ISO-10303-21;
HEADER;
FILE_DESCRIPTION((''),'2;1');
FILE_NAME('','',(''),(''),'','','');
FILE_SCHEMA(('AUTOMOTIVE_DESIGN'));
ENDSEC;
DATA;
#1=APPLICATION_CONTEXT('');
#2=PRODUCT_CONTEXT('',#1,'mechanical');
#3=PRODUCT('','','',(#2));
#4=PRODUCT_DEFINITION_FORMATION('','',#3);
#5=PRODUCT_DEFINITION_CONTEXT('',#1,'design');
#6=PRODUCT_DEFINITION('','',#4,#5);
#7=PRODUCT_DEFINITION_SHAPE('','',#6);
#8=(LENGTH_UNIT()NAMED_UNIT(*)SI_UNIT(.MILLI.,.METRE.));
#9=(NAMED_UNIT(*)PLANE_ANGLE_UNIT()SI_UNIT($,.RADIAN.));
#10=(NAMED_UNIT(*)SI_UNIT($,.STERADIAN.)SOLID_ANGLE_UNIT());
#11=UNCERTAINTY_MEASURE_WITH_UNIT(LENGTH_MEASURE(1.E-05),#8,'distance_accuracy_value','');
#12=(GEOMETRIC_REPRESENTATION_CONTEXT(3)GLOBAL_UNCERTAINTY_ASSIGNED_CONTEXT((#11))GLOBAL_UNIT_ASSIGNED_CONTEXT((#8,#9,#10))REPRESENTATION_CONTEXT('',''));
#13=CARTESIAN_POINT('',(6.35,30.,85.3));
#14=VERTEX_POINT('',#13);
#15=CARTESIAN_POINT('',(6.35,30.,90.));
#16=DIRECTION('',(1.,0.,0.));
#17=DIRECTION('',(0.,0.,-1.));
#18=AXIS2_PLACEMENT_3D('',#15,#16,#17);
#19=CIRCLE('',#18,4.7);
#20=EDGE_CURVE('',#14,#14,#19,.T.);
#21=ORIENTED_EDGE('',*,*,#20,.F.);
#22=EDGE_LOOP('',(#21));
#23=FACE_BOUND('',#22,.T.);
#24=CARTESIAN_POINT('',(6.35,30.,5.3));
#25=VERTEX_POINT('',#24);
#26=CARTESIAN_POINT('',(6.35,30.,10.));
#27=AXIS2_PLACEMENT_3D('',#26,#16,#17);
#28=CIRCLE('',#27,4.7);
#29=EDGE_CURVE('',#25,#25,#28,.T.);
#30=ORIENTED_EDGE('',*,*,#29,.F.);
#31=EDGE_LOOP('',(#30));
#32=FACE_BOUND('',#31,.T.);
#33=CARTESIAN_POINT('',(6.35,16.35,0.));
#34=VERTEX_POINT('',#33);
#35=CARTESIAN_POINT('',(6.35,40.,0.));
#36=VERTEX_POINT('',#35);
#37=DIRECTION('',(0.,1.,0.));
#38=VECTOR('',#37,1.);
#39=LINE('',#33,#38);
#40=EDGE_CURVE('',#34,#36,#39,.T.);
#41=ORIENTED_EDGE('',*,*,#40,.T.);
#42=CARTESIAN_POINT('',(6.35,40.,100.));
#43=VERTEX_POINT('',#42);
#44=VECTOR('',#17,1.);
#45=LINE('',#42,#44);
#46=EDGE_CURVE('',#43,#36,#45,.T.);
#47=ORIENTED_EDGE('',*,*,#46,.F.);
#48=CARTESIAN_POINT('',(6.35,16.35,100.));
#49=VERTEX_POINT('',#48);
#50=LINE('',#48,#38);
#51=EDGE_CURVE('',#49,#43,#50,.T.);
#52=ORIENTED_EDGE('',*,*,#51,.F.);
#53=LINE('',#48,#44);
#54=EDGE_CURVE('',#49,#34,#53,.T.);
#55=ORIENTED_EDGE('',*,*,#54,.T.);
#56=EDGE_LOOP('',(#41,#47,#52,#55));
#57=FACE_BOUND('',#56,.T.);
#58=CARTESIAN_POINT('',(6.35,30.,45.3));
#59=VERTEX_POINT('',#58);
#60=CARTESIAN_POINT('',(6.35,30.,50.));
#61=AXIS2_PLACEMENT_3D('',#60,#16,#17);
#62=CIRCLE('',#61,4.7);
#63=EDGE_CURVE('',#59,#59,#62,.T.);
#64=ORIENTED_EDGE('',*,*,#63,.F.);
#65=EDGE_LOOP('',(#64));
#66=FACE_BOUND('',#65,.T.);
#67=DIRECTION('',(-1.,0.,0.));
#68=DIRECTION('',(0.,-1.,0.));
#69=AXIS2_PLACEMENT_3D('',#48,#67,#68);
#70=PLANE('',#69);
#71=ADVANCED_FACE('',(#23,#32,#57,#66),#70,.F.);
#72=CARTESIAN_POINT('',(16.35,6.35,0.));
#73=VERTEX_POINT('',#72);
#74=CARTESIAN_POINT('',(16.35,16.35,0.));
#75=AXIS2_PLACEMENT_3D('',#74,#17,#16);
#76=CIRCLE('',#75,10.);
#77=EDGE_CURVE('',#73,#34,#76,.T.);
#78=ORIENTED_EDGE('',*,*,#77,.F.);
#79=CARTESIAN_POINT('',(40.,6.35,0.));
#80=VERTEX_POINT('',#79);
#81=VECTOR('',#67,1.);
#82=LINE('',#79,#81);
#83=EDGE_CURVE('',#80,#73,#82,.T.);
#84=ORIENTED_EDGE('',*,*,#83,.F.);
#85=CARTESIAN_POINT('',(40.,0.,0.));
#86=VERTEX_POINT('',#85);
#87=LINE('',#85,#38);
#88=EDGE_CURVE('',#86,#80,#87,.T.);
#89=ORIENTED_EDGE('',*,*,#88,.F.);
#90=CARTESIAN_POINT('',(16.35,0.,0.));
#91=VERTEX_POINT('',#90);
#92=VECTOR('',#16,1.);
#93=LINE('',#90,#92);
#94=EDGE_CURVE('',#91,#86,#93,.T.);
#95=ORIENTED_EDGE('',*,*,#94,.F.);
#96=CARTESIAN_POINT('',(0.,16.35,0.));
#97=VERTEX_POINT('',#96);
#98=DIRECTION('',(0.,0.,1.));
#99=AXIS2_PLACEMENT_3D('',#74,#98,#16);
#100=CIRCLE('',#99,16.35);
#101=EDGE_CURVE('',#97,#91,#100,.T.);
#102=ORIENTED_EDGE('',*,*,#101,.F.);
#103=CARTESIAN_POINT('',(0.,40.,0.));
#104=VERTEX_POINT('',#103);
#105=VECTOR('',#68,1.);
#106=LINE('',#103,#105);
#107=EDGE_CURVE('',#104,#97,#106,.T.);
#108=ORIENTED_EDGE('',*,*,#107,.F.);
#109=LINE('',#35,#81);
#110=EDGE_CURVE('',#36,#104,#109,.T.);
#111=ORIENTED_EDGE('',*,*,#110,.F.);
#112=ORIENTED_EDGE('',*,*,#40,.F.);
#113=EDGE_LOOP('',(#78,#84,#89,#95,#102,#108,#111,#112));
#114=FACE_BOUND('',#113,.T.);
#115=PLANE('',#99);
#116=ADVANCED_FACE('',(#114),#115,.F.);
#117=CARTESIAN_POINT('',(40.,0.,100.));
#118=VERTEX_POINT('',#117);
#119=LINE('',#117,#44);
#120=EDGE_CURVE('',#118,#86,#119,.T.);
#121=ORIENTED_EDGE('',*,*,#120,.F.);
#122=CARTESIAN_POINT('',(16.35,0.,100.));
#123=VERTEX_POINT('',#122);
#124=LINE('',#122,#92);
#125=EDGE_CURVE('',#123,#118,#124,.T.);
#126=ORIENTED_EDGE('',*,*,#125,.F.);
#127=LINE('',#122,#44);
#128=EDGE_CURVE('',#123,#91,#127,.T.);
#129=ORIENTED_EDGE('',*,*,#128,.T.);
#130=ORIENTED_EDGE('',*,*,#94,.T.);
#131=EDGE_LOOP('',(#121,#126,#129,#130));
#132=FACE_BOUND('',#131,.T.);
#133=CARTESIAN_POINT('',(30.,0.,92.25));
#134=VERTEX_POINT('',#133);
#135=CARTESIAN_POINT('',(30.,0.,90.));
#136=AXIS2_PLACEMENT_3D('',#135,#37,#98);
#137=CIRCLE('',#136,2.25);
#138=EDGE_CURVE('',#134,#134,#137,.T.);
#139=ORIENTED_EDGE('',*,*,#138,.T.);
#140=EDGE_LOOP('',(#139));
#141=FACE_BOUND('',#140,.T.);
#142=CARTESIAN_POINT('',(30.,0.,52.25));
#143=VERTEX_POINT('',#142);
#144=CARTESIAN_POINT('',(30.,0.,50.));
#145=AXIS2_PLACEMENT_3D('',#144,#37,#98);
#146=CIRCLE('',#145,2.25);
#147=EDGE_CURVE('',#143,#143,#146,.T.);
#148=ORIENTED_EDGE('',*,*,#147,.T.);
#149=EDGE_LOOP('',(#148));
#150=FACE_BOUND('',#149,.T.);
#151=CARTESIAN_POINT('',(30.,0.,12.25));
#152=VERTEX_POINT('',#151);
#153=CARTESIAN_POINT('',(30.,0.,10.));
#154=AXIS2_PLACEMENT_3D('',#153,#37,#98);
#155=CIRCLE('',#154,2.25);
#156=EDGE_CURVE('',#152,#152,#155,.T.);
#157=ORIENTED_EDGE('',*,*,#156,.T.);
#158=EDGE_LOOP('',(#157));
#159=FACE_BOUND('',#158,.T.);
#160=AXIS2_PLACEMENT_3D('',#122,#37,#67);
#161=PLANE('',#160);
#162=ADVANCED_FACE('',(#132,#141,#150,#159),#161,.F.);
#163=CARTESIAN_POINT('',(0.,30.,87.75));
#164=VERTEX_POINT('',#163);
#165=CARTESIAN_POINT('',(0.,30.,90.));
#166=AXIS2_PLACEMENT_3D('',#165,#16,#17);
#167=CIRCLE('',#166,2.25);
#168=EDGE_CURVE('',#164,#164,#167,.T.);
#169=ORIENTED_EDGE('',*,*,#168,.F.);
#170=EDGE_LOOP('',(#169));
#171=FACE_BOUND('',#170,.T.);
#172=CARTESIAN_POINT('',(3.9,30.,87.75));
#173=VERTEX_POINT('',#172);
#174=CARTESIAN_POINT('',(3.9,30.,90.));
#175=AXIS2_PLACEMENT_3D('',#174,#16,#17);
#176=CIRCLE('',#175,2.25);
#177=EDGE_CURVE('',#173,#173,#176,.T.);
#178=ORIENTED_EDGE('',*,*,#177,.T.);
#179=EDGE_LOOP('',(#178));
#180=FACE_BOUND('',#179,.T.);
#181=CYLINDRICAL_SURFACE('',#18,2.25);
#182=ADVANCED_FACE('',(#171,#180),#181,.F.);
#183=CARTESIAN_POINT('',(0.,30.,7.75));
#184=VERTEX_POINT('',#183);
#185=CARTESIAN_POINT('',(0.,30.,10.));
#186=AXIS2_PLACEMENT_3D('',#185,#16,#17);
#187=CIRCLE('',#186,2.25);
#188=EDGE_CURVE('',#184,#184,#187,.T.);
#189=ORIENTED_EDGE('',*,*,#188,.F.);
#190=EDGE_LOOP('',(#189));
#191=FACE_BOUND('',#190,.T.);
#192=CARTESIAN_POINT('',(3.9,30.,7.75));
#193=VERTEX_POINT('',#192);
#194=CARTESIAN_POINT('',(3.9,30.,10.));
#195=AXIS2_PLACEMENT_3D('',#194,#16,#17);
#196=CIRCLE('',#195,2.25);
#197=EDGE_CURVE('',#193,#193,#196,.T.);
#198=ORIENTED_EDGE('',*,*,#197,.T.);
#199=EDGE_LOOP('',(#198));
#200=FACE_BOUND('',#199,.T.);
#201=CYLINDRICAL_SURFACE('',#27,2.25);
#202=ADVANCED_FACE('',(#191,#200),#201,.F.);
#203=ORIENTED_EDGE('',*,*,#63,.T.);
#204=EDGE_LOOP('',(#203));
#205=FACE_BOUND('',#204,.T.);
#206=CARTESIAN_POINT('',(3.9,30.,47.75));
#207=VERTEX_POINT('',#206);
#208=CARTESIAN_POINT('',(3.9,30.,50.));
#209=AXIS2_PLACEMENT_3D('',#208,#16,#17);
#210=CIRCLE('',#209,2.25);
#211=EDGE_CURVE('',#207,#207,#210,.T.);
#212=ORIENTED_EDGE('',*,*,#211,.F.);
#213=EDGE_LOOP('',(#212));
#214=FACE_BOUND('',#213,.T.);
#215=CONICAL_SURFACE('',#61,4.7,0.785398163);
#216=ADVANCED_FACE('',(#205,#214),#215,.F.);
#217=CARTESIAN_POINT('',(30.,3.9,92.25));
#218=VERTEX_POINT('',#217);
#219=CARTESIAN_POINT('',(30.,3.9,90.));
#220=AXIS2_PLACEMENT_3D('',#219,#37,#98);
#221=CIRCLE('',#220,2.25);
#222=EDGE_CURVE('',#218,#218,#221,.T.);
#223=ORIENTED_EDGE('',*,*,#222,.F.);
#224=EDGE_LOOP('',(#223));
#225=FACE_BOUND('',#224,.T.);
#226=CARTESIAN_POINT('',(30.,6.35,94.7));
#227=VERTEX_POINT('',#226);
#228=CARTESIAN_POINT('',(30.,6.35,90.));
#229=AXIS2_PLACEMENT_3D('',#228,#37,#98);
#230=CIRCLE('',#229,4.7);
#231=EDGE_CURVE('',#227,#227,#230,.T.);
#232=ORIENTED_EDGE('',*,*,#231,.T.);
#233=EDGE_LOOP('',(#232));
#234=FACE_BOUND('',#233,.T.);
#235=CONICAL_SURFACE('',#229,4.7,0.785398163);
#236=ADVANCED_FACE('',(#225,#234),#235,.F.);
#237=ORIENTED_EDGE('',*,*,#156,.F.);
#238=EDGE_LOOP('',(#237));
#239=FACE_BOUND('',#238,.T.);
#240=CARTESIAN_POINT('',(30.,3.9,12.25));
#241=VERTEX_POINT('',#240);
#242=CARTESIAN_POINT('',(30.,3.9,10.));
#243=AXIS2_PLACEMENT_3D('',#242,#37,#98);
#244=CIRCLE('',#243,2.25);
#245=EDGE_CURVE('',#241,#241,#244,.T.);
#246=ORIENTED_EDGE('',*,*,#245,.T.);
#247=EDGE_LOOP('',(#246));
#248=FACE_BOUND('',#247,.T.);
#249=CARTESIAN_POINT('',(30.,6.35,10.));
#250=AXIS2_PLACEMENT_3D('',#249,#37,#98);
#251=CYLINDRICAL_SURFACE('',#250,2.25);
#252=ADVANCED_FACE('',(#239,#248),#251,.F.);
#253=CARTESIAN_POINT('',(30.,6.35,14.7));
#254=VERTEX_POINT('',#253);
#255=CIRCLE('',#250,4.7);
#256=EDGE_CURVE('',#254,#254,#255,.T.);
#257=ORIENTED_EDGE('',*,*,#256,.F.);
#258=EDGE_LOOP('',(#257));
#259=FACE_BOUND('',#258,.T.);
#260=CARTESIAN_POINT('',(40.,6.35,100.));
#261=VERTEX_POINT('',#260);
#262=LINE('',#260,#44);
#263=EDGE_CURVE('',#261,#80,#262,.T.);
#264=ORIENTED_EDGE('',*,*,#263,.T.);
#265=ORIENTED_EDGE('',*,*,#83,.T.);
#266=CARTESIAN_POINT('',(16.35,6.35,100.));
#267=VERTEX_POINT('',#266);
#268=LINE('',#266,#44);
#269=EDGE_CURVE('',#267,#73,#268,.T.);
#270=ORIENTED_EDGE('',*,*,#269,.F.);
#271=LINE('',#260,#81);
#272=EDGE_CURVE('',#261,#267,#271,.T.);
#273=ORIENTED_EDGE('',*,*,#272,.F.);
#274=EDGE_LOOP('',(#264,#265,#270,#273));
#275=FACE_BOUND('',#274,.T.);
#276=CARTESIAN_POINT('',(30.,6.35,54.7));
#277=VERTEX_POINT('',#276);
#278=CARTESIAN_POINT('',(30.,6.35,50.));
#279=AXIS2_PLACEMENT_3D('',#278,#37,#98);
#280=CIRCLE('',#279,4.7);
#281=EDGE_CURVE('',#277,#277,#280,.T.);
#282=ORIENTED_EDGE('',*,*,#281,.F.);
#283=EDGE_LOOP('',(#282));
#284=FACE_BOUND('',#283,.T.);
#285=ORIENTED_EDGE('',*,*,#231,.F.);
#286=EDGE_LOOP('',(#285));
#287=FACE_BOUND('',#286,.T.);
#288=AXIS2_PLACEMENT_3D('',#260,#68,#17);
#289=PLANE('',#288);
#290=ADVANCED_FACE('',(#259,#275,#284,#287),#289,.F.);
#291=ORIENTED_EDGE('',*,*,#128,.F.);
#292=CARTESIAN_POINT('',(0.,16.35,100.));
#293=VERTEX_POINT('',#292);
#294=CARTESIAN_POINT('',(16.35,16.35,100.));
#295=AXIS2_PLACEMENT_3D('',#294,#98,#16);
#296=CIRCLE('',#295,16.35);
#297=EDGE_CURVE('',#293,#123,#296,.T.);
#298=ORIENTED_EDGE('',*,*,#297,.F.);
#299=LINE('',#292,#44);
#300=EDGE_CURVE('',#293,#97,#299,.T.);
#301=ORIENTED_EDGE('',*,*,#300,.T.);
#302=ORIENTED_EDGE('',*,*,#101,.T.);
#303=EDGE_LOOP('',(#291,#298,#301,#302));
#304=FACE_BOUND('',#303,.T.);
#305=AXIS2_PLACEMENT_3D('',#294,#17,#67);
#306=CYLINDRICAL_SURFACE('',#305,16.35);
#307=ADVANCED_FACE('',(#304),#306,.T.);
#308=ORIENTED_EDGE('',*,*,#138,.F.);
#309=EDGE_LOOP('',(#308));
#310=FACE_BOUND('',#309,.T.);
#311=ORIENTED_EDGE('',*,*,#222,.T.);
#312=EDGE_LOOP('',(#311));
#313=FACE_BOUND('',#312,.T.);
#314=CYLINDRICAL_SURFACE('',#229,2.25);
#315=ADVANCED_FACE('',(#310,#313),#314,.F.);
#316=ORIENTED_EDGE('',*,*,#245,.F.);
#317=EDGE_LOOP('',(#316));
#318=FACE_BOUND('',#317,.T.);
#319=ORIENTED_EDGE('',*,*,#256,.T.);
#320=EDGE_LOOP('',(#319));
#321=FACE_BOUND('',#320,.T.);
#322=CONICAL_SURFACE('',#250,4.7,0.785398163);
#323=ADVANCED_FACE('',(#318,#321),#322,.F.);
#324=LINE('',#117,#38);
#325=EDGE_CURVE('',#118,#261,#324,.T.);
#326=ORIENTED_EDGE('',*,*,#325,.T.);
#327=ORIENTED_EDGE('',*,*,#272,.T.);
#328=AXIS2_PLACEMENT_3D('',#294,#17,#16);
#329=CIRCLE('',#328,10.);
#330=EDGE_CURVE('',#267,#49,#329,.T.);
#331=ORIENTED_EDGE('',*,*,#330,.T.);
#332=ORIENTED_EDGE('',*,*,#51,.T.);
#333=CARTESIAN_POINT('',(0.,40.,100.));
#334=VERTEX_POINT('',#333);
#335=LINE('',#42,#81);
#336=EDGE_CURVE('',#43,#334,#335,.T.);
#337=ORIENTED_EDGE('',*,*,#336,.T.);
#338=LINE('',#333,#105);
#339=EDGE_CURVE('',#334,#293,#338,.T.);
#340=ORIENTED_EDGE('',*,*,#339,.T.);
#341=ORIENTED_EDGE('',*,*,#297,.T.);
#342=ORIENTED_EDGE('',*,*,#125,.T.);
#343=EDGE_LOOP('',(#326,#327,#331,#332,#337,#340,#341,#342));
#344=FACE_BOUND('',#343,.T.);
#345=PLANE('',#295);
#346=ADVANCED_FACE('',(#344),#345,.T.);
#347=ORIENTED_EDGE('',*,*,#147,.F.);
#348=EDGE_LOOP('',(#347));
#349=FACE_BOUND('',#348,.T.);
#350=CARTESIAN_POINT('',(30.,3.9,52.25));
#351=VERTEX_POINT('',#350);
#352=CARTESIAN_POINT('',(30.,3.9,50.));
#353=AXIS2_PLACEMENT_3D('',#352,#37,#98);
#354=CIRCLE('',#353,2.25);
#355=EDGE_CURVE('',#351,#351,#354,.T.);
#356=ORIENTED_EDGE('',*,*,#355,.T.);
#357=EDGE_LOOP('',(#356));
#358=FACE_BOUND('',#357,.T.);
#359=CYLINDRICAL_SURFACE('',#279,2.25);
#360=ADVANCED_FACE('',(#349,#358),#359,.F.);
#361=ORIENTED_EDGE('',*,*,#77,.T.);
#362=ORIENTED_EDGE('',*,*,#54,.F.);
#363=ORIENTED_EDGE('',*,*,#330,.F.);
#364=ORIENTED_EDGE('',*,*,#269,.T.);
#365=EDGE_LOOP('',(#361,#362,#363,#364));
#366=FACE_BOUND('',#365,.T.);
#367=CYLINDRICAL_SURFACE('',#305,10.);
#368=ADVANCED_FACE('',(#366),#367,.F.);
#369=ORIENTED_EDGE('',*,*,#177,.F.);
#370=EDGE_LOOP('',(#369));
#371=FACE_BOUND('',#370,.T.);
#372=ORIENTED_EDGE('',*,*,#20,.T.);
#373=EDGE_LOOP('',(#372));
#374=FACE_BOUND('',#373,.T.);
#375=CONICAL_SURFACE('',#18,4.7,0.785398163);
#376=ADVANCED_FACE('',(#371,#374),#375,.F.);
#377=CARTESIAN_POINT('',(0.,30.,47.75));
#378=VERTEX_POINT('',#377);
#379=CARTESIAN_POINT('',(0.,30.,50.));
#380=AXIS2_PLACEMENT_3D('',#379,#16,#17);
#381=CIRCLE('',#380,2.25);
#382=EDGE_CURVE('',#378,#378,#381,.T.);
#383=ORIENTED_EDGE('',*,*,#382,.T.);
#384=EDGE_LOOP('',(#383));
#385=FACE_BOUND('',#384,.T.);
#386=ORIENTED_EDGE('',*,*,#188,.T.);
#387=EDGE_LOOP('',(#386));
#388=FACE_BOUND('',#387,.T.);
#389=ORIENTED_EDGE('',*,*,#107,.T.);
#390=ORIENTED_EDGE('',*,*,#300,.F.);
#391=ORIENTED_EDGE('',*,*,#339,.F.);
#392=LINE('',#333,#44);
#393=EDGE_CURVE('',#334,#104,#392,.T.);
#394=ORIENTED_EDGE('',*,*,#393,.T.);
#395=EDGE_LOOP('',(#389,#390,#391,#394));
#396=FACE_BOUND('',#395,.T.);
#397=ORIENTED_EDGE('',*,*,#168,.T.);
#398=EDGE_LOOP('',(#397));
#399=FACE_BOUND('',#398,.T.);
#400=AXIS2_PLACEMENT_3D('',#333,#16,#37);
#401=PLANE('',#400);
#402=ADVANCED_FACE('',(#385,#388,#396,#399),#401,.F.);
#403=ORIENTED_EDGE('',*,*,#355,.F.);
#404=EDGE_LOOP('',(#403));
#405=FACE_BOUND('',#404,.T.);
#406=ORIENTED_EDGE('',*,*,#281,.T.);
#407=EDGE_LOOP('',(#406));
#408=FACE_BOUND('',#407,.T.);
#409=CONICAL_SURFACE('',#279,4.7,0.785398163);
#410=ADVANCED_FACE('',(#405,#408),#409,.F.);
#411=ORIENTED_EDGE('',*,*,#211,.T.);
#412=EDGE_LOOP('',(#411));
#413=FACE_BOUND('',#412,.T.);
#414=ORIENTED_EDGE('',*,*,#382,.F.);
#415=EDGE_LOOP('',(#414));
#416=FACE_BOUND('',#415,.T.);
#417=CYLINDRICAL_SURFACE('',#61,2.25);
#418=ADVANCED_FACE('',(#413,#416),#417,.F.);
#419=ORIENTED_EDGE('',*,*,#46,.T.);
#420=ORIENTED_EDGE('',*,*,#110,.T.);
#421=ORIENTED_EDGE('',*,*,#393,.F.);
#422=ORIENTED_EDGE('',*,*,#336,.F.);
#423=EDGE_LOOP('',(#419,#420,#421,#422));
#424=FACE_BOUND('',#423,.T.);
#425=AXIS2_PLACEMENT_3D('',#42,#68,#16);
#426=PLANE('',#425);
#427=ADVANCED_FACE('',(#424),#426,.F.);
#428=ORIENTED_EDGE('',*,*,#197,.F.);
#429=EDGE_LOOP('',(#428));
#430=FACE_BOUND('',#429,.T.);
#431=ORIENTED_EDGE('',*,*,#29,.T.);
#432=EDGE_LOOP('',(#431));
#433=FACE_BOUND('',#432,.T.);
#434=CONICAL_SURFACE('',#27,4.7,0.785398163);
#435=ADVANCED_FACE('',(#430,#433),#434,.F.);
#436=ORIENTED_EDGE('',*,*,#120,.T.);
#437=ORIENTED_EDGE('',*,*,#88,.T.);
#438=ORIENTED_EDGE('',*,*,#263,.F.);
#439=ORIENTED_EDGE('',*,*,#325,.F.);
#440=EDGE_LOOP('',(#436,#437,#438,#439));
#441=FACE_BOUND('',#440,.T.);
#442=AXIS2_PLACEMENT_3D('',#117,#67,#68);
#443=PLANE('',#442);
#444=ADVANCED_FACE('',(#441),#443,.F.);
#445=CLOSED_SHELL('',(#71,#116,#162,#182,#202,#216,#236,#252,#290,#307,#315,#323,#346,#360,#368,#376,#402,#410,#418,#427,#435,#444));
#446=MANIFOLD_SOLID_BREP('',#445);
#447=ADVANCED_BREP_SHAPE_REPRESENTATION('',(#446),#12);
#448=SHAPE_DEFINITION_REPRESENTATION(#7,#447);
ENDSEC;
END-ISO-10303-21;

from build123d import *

# Parameters (mm, degrees)
BOSS_EXTRUDE1_DEPTH                             = 100
CSK_FOR_M4_FLAT_HEAD_MACHINE_SCREW1_D           = 4.5
CSK_FOR_M4_FLAT_HEAD_MACHINE_SCREW1_CSINK_D     = 9.4
CSK_FOR_M4_FLAT_HEAD_MACHINE_SCREW1_CSINK_ANGLE = 90
CSK_FOR_M4_FLAT_HEAD_MACHINE_SCREW4_D           = 4.5
CSK_FOR_M4_FLAT_HEAD_MACHINE_SCREW4_CSINK_D     = 9.4
CSK_FOR_M4_FLAT_HEAD_MACHINE_SCREW4_CSINK_ANGLE = 90


with BuildPart() as part:
    # Sketch1 → Boss-Extrude1 (new body)
    with BuildSketch(Plane.XY):
        with BuildLine():
            Line((0, 40), (0, 16.35))
            ThreePointArc((0, 16.35), (4.788804128, 4.788804128), (16.35, 0))
            Line((16.35, 0), (40, 0))
            Line((40, 0), (40, 6.35))
            Line((40, 6.35), (16.35, 6.35))
            ThreePointArc((16.35, 6.35), (9.278932188, 9.278932188), (6.35, 16.35))
            Line((6.35, 16.35), (6.35, 40))
            Line((6.35, 40), (0, 40))
        make_face()
    extrude(amount=BOSS_EXTRUDE1_DEPTH)

    # CSK for M4 Flat Head Machine Screw1 (through all)
    with Locations(Plane(origin=(0, 6.35, 0), x_dir=(1, 0, 0), z_dir=(0, 1, 0))):
        with Locations((30, -90), (30, -50), (30, -10)):
            CounterSinkHole(CSK_FOR_M4_FLAT_HEAD_MACHINE_SCREW1_D / 2, CSK_FOR_M4_FLAT_HEAD_MACHINE_SCREW1_CSINK_D / 2, counter_sink_angle=CSK_FOR_M4_FLAT_HEAD_MACHINE_SCREW1_CSINK_ANGLE)

    # CSK for M4 Flat Head Machine Screw4 (through all)
    with Locations(Plane(origin=(6.35, 0, 0), x_dir=(0, -1, 0), z_dir=(1, 0, 0))):
        with Locations((-30, -90), (-30, -50), (-30, -10)):
            CounterSinkHole(CSK_FOR_M4_FLAT_HEAD_MACHINE_SCREW4_D / 2, CSK_FOR_M4_FLAT_HEAD_MACHINE_SCREW4_CSINK_D / 2, counter_sink_angle=CSK_FOR_M4_FLAT_HEAD_MACHINE_SCREW4_CSINK_ANGLE)


solid = part.part
